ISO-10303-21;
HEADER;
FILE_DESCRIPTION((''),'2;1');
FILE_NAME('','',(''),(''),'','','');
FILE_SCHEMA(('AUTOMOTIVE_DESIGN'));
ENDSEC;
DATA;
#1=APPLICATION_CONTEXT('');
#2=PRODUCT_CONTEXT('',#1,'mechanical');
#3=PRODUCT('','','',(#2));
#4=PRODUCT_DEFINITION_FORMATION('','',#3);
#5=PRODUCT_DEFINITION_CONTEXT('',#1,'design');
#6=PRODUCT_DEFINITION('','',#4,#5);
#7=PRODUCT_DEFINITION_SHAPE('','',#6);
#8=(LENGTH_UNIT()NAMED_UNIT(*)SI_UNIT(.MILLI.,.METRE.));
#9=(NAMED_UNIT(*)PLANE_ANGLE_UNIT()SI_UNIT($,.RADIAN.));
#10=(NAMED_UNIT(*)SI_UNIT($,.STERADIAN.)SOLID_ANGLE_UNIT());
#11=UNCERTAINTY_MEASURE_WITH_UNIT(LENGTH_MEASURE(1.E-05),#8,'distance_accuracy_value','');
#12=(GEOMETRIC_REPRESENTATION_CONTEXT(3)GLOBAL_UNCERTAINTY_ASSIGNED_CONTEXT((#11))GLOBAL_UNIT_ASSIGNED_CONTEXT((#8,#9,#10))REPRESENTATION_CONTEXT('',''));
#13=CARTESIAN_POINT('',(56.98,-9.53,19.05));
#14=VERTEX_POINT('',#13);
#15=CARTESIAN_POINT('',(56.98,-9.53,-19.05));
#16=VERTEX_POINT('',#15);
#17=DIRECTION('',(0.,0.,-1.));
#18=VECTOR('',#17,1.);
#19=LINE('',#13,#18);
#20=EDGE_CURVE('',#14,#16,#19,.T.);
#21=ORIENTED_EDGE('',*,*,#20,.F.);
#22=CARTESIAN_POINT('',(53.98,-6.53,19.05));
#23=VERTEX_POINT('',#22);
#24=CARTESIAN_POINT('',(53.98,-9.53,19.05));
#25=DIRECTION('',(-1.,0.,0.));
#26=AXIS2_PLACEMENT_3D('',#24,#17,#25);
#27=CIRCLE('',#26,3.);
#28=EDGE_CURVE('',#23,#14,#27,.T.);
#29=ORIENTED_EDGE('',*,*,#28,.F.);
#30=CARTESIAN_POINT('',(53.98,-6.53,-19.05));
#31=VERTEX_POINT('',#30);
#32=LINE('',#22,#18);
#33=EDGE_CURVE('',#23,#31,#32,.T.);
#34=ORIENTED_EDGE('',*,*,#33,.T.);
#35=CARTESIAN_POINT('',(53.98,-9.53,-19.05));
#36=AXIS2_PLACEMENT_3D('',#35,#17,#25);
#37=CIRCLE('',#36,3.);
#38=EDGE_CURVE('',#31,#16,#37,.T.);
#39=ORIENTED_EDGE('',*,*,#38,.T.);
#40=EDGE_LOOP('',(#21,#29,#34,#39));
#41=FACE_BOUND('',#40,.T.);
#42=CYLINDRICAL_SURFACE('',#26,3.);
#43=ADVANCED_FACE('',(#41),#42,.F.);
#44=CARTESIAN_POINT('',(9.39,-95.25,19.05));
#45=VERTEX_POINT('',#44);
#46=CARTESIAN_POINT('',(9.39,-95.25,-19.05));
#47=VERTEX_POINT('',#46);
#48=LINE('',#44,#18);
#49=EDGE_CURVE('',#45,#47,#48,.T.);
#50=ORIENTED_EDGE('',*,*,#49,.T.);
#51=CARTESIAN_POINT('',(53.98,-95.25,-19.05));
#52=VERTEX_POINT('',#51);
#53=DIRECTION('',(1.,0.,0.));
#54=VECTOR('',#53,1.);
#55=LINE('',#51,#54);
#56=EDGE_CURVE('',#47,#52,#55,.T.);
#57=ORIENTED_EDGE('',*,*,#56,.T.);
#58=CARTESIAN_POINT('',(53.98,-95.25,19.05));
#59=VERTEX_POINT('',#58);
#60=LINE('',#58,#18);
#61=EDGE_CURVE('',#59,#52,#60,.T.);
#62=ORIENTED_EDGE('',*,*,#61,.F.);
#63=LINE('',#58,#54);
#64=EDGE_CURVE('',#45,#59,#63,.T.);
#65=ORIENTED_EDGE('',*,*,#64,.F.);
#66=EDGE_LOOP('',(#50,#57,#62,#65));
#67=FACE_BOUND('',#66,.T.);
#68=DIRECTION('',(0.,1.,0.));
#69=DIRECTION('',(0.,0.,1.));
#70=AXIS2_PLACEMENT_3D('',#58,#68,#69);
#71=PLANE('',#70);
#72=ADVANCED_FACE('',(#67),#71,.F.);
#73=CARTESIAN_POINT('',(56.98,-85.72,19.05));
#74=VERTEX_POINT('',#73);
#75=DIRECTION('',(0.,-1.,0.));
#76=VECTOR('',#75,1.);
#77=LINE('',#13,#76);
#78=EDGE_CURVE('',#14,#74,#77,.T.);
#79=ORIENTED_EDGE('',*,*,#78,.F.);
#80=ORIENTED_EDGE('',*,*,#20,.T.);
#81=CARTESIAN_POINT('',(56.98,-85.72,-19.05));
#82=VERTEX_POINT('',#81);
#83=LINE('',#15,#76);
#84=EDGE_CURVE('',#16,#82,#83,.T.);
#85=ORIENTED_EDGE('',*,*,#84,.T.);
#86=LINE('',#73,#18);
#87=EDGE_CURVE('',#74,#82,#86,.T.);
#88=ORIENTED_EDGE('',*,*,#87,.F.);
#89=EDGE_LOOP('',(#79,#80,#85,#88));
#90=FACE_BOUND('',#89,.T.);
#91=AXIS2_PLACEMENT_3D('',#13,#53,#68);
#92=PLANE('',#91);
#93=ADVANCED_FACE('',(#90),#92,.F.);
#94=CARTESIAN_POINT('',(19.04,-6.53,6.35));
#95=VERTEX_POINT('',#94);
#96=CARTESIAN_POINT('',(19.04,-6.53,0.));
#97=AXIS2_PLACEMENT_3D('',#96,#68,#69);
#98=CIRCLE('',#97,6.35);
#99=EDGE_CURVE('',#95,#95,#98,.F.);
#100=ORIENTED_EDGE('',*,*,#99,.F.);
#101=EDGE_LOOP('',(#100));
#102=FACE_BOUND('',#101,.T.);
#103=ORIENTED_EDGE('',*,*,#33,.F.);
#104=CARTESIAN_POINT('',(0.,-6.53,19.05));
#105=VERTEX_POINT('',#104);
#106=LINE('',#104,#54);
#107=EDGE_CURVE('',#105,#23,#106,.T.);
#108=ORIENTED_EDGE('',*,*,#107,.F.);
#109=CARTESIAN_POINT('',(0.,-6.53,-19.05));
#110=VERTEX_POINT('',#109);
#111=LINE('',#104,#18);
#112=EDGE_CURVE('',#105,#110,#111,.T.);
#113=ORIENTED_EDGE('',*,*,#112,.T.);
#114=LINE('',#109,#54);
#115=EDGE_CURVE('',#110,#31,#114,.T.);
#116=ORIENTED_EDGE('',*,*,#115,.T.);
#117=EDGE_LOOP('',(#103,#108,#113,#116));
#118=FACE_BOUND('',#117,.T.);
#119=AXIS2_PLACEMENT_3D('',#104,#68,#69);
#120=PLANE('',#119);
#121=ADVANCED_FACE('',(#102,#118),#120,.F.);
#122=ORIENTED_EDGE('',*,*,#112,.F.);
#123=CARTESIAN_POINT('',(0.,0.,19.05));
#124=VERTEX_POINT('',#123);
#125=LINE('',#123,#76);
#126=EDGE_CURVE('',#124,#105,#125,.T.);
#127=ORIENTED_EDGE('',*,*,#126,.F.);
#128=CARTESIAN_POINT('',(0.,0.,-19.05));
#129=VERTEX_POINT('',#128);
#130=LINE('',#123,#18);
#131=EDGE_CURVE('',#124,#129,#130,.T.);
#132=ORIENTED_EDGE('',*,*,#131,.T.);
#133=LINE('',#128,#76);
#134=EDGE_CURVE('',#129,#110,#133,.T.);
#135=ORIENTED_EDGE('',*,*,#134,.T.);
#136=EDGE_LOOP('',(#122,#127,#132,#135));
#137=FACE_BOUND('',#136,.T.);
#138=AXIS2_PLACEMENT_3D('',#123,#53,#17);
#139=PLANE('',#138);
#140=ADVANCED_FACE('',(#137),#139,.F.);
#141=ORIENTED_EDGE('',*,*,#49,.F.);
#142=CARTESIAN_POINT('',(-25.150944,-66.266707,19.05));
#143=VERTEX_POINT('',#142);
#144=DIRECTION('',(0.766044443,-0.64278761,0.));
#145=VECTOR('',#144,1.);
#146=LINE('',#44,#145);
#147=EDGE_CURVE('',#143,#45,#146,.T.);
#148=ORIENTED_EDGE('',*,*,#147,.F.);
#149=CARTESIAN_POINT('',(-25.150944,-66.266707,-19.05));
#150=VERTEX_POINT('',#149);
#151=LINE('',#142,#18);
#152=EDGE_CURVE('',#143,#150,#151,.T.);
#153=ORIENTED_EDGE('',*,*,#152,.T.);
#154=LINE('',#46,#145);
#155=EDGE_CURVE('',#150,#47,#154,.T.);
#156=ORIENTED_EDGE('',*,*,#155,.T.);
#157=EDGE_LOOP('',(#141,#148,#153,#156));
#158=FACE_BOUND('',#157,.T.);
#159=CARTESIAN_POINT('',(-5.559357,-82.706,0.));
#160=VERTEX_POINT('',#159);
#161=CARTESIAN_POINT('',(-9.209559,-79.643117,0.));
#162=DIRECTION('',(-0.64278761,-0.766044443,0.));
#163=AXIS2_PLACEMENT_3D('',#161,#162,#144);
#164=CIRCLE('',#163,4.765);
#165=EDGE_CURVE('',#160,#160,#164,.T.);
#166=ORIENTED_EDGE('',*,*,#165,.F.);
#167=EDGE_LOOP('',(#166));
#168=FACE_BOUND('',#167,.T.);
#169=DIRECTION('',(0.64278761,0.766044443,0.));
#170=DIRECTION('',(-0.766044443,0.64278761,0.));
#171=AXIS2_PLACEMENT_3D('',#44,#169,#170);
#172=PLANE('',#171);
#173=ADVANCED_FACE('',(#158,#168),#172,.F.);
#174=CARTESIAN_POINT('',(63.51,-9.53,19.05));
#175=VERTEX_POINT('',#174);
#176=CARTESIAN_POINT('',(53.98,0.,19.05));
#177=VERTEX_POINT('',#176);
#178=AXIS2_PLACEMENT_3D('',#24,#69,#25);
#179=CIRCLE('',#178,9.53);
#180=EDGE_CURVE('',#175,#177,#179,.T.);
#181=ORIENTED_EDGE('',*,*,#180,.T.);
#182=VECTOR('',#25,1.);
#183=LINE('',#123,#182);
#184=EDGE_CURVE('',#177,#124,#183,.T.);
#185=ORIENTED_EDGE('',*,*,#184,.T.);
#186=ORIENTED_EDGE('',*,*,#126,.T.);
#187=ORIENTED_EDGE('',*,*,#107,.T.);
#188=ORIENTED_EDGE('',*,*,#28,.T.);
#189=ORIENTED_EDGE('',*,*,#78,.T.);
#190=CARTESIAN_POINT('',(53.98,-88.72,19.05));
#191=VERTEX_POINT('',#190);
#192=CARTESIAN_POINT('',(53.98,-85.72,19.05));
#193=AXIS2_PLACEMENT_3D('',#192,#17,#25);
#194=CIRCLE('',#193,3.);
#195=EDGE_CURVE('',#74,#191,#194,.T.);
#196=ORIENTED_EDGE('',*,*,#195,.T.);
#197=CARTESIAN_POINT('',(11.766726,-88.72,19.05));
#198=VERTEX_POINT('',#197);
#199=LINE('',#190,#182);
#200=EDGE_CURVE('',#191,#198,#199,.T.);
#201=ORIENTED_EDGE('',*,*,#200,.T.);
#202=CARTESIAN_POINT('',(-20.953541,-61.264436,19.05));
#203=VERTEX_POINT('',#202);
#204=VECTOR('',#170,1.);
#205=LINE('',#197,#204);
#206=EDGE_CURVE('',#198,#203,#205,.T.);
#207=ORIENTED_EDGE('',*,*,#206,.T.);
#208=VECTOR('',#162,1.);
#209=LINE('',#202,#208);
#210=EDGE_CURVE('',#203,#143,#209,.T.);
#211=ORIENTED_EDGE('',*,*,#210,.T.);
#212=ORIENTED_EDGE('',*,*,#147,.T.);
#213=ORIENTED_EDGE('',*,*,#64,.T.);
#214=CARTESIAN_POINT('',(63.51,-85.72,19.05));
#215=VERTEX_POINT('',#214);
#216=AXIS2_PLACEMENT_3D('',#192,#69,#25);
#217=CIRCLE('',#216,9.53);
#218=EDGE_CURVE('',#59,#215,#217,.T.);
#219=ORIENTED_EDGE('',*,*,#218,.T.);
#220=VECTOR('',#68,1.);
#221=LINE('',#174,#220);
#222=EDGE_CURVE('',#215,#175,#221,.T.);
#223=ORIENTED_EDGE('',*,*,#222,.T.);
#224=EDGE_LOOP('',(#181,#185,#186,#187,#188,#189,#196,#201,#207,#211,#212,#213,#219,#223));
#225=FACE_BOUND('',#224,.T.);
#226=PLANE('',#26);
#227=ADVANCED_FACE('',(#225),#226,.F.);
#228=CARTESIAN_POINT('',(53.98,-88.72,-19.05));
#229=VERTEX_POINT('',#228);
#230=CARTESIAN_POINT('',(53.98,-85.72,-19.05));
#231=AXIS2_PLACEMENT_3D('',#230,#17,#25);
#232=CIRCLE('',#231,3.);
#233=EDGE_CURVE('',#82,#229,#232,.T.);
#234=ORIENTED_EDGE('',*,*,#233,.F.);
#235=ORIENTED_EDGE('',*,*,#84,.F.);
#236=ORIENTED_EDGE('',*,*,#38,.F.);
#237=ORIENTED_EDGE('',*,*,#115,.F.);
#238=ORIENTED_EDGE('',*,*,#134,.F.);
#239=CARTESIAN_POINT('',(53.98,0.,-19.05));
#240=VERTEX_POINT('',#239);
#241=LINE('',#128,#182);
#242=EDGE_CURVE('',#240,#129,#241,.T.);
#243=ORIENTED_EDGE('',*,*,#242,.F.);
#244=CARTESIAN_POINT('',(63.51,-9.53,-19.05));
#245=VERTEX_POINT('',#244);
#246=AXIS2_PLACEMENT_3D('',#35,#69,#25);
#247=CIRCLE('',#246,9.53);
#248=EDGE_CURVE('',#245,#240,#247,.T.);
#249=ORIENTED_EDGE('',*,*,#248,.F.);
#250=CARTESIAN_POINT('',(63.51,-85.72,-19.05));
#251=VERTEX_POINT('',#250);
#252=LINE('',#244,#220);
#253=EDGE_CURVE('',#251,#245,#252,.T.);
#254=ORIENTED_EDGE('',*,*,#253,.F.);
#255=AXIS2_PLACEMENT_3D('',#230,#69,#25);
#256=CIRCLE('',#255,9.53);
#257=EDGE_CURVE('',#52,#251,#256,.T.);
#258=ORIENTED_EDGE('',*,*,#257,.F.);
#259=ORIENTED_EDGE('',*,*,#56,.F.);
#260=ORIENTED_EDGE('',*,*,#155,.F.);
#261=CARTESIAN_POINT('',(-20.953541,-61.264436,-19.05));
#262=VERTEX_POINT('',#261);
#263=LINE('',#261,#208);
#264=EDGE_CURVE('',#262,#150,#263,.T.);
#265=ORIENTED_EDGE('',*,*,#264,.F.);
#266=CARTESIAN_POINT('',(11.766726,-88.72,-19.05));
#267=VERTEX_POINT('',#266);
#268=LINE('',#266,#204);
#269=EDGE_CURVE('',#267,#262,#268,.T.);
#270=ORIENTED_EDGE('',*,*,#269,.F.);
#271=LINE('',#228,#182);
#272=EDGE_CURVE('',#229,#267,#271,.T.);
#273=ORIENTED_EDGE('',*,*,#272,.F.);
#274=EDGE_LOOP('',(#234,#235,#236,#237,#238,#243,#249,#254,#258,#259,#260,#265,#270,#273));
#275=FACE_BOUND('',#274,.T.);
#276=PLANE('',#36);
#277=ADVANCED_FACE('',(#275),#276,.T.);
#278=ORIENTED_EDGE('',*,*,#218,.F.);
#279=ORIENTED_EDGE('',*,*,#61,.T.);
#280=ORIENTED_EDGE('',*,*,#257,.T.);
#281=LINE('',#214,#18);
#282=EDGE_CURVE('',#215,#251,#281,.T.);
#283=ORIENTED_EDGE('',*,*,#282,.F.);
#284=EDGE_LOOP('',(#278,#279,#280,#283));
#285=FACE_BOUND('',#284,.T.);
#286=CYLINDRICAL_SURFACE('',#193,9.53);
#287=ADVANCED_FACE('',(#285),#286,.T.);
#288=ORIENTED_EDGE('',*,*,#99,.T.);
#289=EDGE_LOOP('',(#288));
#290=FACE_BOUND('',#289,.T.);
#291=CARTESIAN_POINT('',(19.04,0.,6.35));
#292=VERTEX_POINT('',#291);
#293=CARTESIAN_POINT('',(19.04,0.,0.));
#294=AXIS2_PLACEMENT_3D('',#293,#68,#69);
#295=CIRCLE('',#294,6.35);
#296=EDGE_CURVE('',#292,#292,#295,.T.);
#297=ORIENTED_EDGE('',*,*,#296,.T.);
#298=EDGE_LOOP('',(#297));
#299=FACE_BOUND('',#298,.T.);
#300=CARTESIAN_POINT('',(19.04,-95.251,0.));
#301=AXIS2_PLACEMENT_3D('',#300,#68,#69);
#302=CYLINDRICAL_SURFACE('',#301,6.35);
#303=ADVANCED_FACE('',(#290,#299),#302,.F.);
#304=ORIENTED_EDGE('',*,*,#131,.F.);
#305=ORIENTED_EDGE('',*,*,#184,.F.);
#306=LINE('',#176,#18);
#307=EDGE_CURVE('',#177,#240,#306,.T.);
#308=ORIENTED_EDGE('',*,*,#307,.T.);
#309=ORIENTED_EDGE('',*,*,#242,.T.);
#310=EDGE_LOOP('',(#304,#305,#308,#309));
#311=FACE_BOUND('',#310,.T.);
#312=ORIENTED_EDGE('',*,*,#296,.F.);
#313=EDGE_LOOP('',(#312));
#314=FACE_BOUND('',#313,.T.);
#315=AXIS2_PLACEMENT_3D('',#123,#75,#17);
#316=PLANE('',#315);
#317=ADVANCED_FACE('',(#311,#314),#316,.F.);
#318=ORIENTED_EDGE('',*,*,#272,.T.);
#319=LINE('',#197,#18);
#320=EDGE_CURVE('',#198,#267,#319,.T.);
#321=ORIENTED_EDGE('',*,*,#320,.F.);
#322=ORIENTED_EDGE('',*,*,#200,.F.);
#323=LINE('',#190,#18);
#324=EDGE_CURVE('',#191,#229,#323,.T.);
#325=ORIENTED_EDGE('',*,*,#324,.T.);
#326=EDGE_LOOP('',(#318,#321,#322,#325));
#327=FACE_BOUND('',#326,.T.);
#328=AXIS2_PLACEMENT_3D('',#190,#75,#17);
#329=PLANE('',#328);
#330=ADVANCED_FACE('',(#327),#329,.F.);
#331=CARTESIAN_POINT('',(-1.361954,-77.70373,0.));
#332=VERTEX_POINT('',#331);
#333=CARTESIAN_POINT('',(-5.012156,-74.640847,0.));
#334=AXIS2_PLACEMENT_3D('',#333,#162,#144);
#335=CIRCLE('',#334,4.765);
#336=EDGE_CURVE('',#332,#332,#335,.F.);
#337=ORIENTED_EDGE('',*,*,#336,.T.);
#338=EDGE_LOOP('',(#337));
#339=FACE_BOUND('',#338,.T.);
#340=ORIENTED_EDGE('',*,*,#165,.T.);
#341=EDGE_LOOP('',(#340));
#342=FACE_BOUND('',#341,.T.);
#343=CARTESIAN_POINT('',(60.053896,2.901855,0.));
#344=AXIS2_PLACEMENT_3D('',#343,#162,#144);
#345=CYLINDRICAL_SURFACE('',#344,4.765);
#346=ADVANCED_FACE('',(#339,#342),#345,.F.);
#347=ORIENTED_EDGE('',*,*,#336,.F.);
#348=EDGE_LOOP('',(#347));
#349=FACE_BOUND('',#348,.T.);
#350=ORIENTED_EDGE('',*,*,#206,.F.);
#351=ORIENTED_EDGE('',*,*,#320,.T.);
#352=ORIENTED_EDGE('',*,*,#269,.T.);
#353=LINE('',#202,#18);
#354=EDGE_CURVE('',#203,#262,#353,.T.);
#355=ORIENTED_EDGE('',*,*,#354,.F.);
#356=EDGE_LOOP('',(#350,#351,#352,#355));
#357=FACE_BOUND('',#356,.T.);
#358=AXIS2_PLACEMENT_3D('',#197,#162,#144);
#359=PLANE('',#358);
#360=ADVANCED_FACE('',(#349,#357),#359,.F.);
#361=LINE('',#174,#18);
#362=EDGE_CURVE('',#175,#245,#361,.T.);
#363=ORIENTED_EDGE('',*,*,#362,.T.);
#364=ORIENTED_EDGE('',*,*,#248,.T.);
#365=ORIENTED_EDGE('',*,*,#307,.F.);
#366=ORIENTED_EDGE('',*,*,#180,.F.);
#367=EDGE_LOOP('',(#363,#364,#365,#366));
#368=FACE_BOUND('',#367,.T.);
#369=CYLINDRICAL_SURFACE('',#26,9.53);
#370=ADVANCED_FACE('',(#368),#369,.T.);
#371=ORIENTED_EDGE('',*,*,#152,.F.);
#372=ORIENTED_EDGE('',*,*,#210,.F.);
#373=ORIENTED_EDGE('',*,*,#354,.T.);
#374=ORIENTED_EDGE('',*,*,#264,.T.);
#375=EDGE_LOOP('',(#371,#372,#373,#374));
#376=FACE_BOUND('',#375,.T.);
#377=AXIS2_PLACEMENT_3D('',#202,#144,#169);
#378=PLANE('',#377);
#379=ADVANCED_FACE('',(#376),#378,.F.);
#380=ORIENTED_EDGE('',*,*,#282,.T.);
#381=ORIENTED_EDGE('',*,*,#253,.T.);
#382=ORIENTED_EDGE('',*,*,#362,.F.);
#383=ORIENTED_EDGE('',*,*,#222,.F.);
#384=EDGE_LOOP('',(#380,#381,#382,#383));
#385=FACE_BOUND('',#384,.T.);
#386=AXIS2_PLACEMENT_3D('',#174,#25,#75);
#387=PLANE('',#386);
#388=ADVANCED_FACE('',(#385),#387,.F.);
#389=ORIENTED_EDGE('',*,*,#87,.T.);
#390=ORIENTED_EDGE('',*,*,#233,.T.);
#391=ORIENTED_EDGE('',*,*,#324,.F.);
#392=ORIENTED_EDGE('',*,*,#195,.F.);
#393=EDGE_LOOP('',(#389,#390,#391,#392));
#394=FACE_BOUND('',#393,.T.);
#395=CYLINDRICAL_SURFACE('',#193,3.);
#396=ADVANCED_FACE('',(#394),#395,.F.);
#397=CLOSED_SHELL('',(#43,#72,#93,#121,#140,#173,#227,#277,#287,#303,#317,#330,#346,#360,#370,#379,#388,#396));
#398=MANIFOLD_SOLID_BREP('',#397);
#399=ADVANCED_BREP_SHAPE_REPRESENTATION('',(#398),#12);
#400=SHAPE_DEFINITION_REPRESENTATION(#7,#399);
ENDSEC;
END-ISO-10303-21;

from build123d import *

# Parameters (mm, degrees)
BOSS_EXTRUDE1_DEPTH = 19.05
CUT_EXTRUDE1_REACH  = 118.056
SKETCH2_R           = 6.35
CUT_EXTRUDE2_REACH  = 121.753
SKETCH3_R           = 4.765


with BuildPart() as part:
    # Sketch1 → Boss-Extrude1 (new, symmetric)
    with BuildSketch(Plane.XY):
        with BuildLine():
            Line((0, 0), (53.98, 0))
            ThreePointArc((53.98, 0), (60.718727625, -2.791272375), (63.51, -9.53))
            Line((63.51, -9.53), (63.51, -85.72))
            ThreePointArc((63.51, -85.72), (60.718727625, -92.458727625), (53.98, -95.25))
            Line((53.98, -95.25), (9.39, -95.25))
            Line((9.39, -95.25), (-25.15094394, -66.266706679))
            Line((-25.15094394, -66.266706679), (-20.953540849, -61.264436466))
            Line((-20.953540849, -61.264436466), (11.76672563, -88.72))
            Line((11.76672563, -88.72), (53.98, -88.72))
            ThreePointArc((53.98, -88.72), (56.101320344, -87.841320344), (56.98, -85.72))
            Line((56.98, -85.72), (56.98, -9.53))
            ThreePointArc((56.98, -9.53), (56.101320344, -7.408679656), (53.98, -6.53))
            Line((53.98, -6.53), (0, -6.53))
            Line((0, -6.53), (0, 0))
        make_face()
    extrude(amount=BOSS_EXTRUDE1_DEPTH, both=True)

    # Sketch2 → Cut-Extrude1 (cut, up to next)
    with BuildSketch(Plane(origin=(0, 0, 0), x_dir=(1, 0, 0), z_dir=(0, 1, 0)), mode=Mode.PRIVATE) as cut_extrude1_sk1:
        with Locations(Location((19.04, 0, 0), (0, 0, 270))):
            Circle(SKETCH2_R)
    cut_extrude1_tool1 = extrude(cut_extrude1_sk1.sketch, amount=-CUT_EXTRUDE1_REACH, mode=Mode.PRIVATE) & part.part
    add(cut_extrude1_tool1.solids().sort_by_distance((19.04, 0, 0))[0], mode=Mode.SUBTRACT)

    # Sketch3 → Cut-Extrude2 (cut, up to next)
    with BuildSketch(Plane(origin=(-43.021747431, -51.271322061, 0), x_dir=(0.7660444431189771, -0.6427876096865404, 0), z_dir=(-0.6427876096865404, -0.7660444431189771, 0)), mode=Mode.PRIVATE) as cut_extrude2_sk1:
        with Locations((44.138677144, 0)):
            Circle(SKETCH3_R)
    cut_extrude2_tool1 = extrude(cut_extrude2_sk1.sketch, amount=-CUT_EXTRUDE2_REACH, mode=Mode.PRIVATE) & part.part
    add(cut_extrude2_tool1.solids().sort_by_distance((-9.209559, -79.643117, 0))[0], mode=Mode.SUBTRACT)


solid = part.part
